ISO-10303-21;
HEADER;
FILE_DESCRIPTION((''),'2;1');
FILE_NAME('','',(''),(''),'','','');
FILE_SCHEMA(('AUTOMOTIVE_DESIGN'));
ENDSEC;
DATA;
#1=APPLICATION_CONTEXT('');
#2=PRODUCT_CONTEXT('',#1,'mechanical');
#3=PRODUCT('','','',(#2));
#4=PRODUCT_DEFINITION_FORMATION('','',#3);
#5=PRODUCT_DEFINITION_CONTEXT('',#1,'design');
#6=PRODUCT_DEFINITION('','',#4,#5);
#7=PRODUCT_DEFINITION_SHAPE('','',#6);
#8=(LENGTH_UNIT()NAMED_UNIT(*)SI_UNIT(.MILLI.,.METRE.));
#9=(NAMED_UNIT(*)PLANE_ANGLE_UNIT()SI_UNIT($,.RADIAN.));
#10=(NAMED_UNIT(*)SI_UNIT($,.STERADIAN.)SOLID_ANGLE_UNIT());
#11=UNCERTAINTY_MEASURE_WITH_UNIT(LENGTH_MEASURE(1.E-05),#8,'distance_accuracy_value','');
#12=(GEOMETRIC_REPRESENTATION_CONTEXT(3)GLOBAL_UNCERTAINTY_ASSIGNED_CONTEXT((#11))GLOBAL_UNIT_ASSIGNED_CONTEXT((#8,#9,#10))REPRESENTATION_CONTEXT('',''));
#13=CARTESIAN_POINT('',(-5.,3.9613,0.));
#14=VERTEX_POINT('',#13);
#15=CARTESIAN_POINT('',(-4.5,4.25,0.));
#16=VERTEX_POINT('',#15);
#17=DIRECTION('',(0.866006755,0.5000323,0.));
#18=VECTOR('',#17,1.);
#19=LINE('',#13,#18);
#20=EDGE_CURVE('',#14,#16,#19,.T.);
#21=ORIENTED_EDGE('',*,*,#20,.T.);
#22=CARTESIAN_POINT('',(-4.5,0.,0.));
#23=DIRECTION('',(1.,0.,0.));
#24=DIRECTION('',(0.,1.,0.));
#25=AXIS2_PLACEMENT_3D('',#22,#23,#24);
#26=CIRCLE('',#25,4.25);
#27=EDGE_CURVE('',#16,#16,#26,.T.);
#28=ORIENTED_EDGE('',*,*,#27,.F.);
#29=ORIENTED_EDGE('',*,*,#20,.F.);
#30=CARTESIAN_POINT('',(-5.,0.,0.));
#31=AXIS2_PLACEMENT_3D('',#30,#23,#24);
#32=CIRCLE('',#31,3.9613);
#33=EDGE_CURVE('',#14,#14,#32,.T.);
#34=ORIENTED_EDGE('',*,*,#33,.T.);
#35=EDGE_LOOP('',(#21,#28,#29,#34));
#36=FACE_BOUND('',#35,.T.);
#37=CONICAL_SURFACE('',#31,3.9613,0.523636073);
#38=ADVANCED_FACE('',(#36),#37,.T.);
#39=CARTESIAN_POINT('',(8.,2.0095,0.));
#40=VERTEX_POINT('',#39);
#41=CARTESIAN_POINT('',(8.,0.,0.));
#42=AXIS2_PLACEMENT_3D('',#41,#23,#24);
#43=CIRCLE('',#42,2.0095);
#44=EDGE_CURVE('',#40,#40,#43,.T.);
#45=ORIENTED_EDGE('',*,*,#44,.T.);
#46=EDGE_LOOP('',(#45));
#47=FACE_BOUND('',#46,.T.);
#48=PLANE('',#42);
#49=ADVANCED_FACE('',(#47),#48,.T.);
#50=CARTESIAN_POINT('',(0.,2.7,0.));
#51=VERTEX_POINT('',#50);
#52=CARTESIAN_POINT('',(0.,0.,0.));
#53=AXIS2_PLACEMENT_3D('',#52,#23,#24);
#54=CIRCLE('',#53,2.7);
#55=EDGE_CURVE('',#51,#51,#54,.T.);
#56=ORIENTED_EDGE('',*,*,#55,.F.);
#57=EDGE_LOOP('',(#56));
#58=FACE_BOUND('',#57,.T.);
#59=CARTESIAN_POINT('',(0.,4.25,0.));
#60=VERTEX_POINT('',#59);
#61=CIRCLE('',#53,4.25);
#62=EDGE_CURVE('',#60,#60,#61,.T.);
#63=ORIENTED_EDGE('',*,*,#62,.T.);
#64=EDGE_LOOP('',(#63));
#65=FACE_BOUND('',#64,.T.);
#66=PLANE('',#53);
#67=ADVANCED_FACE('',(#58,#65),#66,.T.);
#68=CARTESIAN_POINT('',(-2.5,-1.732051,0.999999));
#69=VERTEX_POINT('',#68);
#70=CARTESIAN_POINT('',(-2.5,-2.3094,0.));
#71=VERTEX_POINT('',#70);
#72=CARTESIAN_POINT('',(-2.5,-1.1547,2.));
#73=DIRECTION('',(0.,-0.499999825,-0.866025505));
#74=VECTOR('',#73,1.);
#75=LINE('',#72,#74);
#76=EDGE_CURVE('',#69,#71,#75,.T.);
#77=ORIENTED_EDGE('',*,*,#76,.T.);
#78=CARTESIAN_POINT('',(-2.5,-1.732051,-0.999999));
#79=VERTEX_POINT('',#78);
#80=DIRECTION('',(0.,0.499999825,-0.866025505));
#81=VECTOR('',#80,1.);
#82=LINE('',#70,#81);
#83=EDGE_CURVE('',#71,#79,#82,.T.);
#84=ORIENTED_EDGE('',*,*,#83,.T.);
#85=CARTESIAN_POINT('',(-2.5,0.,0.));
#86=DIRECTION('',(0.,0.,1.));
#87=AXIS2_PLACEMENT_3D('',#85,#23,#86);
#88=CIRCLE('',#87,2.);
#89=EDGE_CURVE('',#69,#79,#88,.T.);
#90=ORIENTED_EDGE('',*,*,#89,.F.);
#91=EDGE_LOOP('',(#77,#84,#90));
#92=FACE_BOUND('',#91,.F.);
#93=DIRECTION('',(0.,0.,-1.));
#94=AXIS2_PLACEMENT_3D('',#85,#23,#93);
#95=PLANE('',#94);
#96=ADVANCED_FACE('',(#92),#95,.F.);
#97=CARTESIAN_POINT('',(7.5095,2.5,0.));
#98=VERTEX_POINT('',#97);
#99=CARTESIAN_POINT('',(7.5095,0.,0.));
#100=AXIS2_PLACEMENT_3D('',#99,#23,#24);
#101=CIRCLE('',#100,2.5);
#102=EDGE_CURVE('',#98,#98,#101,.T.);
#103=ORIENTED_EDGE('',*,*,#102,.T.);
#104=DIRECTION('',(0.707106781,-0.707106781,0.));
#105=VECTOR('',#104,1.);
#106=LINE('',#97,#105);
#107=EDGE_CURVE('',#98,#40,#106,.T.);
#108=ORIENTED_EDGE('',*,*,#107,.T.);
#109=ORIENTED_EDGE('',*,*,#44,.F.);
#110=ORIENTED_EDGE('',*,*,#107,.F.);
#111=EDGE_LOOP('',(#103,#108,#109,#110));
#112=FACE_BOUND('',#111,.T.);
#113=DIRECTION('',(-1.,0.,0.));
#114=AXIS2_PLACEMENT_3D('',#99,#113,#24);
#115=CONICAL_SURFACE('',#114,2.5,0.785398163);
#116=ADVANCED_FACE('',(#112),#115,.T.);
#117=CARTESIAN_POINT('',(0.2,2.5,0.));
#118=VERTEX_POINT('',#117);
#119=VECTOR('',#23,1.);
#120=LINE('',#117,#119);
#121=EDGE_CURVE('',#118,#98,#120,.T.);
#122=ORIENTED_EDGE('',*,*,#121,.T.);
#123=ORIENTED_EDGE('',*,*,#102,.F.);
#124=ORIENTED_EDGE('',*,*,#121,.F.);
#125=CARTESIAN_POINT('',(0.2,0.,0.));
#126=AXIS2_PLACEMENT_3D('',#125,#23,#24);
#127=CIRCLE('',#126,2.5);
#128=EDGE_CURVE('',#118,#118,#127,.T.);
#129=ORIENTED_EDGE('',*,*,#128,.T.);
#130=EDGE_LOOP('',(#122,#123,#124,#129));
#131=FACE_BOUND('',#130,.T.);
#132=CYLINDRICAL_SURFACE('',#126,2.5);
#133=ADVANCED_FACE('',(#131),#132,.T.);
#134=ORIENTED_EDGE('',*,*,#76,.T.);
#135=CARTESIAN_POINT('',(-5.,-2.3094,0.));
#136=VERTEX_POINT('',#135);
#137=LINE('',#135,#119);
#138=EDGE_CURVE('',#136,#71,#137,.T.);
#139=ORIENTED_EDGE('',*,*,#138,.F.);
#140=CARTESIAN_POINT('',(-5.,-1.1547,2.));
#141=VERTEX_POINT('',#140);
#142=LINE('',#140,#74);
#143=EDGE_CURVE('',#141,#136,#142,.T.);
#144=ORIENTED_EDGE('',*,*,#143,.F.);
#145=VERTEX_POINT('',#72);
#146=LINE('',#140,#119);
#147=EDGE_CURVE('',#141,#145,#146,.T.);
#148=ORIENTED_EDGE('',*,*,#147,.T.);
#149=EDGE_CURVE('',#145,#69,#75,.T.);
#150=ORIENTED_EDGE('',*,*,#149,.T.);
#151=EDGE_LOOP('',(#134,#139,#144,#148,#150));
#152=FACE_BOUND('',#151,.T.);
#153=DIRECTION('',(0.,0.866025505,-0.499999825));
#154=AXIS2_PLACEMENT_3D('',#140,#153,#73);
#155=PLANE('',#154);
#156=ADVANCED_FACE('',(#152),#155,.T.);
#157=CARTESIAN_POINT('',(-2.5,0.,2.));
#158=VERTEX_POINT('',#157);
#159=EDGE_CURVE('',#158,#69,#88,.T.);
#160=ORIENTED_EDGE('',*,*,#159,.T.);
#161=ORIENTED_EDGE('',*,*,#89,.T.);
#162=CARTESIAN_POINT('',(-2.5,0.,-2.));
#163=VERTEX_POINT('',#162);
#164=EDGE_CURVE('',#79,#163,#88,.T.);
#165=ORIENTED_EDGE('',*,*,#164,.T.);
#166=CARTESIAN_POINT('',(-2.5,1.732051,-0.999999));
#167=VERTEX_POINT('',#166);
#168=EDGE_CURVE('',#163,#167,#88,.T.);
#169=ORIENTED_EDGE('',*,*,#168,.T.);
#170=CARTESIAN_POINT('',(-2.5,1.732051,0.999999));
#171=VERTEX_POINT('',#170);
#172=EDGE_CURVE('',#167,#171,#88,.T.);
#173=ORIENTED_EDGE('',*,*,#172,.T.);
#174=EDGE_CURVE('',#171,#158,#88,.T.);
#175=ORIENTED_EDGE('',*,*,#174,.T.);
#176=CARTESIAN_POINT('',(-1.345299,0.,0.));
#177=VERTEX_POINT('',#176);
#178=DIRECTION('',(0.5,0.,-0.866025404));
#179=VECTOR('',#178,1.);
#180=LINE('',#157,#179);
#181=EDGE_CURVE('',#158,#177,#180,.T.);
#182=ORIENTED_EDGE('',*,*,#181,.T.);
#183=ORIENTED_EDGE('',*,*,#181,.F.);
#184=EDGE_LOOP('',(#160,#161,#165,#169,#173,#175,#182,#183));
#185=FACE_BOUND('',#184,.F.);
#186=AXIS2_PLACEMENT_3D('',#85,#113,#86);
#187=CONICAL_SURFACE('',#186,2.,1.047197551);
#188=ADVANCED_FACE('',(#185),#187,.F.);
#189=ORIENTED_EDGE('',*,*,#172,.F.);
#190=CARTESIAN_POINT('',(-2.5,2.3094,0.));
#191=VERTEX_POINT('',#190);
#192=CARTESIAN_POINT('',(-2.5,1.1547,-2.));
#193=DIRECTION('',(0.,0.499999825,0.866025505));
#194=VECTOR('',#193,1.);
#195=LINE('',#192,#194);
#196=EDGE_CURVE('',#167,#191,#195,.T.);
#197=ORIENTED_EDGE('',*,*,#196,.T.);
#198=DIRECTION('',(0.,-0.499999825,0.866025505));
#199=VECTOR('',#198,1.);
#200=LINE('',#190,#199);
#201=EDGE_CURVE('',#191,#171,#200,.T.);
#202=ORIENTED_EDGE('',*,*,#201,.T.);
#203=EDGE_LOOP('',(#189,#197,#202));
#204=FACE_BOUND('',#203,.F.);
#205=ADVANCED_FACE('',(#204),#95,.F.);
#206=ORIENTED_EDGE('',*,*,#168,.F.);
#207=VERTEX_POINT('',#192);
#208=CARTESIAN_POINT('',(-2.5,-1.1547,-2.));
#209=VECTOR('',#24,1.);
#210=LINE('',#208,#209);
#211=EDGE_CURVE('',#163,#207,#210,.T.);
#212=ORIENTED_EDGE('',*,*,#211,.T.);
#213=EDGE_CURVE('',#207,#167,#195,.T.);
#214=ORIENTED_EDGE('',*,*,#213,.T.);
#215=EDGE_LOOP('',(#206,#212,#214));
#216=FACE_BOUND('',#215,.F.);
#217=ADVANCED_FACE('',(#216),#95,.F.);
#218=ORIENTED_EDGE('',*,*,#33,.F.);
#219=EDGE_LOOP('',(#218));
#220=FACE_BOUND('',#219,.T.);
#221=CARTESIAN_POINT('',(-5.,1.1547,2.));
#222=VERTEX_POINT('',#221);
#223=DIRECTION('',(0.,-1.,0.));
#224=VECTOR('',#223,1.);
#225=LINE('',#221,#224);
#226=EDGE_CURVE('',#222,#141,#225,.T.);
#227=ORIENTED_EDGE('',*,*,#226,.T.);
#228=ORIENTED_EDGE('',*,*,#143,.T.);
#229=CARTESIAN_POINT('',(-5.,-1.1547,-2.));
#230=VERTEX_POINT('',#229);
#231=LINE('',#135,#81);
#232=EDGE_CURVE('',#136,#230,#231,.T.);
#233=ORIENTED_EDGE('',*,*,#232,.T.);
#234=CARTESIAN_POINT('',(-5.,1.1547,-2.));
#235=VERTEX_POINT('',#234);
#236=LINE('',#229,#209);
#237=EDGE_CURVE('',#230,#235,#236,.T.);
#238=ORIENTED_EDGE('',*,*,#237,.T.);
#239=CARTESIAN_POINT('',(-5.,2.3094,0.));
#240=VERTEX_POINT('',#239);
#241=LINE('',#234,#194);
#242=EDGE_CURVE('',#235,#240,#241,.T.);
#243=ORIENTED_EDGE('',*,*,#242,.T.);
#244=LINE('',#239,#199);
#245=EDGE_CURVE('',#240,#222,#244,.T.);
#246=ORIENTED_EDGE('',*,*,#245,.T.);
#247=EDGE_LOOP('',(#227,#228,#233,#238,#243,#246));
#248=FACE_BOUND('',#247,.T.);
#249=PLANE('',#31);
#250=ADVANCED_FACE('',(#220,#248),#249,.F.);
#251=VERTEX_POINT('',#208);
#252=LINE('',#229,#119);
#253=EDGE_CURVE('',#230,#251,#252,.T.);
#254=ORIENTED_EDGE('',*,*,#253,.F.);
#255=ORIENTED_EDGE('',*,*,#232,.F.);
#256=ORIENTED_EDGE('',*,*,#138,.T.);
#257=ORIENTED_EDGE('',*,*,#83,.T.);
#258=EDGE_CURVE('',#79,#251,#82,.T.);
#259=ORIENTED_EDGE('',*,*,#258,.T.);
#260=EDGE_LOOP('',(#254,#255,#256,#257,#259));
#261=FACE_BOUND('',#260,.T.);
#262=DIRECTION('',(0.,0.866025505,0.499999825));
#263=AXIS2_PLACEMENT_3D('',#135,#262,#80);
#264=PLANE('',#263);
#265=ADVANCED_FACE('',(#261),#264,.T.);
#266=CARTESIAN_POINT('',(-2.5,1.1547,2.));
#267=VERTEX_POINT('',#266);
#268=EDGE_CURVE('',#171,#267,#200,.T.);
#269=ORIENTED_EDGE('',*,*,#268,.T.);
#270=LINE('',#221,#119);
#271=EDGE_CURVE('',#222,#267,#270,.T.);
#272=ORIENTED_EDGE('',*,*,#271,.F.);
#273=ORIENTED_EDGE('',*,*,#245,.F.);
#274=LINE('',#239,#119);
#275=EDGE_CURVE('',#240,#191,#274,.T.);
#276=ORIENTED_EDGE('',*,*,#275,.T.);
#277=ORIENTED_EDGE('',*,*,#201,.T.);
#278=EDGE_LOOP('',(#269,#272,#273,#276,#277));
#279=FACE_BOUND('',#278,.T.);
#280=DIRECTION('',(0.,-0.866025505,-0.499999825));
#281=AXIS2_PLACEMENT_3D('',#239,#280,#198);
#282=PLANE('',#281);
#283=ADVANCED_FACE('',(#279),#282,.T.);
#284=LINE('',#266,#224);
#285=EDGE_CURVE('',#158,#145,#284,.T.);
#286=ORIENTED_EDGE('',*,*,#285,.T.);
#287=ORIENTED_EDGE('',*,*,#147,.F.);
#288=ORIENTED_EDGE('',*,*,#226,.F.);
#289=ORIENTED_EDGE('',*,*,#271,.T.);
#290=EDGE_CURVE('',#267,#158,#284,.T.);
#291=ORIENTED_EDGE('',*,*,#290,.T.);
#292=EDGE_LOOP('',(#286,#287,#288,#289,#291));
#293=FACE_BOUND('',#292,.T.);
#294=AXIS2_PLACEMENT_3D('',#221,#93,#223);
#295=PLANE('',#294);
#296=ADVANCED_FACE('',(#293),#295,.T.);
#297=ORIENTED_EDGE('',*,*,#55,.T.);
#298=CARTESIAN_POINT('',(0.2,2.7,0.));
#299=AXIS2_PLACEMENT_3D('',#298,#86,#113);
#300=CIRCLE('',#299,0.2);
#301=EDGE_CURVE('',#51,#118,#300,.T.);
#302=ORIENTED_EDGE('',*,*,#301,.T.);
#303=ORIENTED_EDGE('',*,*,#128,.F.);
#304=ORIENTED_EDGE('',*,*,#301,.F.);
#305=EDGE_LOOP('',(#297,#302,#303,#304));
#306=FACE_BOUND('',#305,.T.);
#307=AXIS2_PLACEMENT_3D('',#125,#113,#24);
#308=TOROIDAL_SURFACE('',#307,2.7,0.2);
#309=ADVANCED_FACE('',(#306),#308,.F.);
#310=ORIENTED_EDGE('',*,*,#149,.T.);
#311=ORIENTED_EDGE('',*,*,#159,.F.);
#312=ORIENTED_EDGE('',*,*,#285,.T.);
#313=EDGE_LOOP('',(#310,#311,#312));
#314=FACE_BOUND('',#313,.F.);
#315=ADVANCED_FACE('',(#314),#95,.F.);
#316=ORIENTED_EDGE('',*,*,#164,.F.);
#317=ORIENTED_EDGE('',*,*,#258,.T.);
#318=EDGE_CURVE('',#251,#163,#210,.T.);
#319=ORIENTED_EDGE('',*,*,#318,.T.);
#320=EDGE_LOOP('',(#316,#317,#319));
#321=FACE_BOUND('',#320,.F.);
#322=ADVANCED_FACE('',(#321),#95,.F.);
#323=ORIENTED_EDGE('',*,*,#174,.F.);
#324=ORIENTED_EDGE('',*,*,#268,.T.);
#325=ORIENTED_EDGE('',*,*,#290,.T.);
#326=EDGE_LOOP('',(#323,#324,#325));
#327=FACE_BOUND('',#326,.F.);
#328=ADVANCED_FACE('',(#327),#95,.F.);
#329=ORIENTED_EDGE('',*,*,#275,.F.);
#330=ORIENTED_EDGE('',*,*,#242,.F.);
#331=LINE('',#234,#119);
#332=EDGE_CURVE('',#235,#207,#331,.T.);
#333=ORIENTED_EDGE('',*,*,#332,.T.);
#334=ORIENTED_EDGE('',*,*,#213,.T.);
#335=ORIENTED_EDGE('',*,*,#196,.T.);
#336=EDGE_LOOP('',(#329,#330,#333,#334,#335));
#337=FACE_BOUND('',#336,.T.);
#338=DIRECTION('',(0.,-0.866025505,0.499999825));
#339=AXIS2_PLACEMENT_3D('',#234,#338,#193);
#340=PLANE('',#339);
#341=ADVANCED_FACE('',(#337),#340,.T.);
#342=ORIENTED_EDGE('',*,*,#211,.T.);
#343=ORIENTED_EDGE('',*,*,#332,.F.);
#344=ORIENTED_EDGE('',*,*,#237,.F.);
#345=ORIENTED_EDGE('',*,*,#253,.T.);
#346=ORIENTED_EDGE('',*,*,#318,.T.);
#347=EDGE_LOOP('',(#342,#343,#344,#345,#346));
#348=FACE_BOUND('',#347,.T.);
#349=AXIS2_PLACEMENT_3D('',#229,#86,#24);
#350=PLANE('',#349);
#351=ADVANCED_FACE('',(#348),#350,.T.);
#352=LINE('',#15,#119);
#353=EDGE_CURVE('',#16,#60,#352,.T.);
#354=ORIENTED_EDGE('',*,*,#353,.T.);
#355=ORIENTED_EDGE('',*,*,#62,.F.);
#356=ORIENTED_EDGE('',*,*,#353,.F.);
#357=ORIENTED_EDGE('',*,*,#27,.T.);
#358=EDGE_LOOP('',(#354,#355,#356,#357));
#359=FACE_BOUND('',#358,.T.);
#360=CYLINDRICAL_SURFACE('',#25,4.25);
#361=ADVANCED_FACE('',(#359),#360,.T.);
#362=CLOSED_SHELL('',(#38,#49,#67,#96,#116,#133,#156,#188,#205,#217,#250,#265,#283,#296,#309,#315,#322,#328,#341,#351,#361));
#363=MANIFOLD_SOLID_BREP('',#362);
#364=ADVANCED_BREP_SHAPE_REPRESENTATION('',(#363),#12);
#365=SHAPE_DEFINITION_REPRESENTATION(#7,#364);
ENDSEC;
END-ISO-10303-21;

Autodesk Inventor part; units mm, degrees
sketch "Sketch_8" plane through (0, 0, 0) normal (0, 0, 1) x (1, 0, 0)
  line L0 (8, 0) -> (-5, 0)
  line L1 (-5, 0) -> (-5, 3.9613)
  line L2 (-5, 3.9613) -> (-4.5, 4.25)
  line L3 (-4.5, 4.25) -> (0, 4.25)
  line L4 (0, 4.25) -> (0, 2.7)
  arc A0 (0, 2.7) -> (0.2, 2.5) centre (0.2, 2.7) ccw
  line L5 (0.2, 2.5) -> (7.5095, 2.5)
  line L6 (7.5095, 2.5) -> (8, 2.0095)
  line L7 (8, 2.0095) -> (8, 0)
  line L8 (8, 0) -> (-5, 0)
revolve "Revolution1" add sketch "Sketch_8" angle 360 about axis through (8, 0, 0) along (1, 0, 0)
thread "Thread1" size "M5x0.8" class "6g" standard "ISO Metric profile" full length
sketch "Sketch2" plane through (-5, 0, 0) normal (-1, 0, 0) x (0, 0, 1)
  point P0 (0, 0)
hole "Hole1" at (-5, 0, 0) direction (1, 0, 0) diameter 4 depth 2.5 tip angle 120
sketch "Sketch_3" plane through (-5, 0, 0) normal (1, 0, 0) x (0, 0, -1)
  line L0 (-2, -1.1547) -> (0, -2.3094)
  line L1 (0, -2.3094) -> (2, -1.1547)
  line L2 (2, -1.1547) -> (2, 1.1547)
  line L3 (2, 1.1547) -> (0, 2.3094)
  line L4 (0, 2.3094) -> (-2, 1.1547)
  line L5 (-2, 1.1547) -> (-2, -1.1547)
extrude "Extrusion1" cut sketch "Sketch_3" along normal blind 2.5
ref_plane "bolt_XY" through (0, 0, 0) normal (1, 0, 0) x (0, 0, -1)
ref_plane "bolt_YZ" through (0, 0, 0) normal (0, 0, -1) x (0, 1, 0)
ref_plane "bolt_ZX" through (0, 0, 0) normal (0, 1, 0) x (1, 0, 0)
ref_plane "nut_XY" through (8, 0, 0) normal (1, 0, 0) x (0, 0, -1)
ref_plane "nut_YZ" through (8, 0, 0) normal (0, 0, -1) x (0, 1, 0)
ref_plane "nut_ZX" through (8, 0, 0) normal (0, 1, 0) x (1, 0, 0)
properties part number "CBM5-8"
